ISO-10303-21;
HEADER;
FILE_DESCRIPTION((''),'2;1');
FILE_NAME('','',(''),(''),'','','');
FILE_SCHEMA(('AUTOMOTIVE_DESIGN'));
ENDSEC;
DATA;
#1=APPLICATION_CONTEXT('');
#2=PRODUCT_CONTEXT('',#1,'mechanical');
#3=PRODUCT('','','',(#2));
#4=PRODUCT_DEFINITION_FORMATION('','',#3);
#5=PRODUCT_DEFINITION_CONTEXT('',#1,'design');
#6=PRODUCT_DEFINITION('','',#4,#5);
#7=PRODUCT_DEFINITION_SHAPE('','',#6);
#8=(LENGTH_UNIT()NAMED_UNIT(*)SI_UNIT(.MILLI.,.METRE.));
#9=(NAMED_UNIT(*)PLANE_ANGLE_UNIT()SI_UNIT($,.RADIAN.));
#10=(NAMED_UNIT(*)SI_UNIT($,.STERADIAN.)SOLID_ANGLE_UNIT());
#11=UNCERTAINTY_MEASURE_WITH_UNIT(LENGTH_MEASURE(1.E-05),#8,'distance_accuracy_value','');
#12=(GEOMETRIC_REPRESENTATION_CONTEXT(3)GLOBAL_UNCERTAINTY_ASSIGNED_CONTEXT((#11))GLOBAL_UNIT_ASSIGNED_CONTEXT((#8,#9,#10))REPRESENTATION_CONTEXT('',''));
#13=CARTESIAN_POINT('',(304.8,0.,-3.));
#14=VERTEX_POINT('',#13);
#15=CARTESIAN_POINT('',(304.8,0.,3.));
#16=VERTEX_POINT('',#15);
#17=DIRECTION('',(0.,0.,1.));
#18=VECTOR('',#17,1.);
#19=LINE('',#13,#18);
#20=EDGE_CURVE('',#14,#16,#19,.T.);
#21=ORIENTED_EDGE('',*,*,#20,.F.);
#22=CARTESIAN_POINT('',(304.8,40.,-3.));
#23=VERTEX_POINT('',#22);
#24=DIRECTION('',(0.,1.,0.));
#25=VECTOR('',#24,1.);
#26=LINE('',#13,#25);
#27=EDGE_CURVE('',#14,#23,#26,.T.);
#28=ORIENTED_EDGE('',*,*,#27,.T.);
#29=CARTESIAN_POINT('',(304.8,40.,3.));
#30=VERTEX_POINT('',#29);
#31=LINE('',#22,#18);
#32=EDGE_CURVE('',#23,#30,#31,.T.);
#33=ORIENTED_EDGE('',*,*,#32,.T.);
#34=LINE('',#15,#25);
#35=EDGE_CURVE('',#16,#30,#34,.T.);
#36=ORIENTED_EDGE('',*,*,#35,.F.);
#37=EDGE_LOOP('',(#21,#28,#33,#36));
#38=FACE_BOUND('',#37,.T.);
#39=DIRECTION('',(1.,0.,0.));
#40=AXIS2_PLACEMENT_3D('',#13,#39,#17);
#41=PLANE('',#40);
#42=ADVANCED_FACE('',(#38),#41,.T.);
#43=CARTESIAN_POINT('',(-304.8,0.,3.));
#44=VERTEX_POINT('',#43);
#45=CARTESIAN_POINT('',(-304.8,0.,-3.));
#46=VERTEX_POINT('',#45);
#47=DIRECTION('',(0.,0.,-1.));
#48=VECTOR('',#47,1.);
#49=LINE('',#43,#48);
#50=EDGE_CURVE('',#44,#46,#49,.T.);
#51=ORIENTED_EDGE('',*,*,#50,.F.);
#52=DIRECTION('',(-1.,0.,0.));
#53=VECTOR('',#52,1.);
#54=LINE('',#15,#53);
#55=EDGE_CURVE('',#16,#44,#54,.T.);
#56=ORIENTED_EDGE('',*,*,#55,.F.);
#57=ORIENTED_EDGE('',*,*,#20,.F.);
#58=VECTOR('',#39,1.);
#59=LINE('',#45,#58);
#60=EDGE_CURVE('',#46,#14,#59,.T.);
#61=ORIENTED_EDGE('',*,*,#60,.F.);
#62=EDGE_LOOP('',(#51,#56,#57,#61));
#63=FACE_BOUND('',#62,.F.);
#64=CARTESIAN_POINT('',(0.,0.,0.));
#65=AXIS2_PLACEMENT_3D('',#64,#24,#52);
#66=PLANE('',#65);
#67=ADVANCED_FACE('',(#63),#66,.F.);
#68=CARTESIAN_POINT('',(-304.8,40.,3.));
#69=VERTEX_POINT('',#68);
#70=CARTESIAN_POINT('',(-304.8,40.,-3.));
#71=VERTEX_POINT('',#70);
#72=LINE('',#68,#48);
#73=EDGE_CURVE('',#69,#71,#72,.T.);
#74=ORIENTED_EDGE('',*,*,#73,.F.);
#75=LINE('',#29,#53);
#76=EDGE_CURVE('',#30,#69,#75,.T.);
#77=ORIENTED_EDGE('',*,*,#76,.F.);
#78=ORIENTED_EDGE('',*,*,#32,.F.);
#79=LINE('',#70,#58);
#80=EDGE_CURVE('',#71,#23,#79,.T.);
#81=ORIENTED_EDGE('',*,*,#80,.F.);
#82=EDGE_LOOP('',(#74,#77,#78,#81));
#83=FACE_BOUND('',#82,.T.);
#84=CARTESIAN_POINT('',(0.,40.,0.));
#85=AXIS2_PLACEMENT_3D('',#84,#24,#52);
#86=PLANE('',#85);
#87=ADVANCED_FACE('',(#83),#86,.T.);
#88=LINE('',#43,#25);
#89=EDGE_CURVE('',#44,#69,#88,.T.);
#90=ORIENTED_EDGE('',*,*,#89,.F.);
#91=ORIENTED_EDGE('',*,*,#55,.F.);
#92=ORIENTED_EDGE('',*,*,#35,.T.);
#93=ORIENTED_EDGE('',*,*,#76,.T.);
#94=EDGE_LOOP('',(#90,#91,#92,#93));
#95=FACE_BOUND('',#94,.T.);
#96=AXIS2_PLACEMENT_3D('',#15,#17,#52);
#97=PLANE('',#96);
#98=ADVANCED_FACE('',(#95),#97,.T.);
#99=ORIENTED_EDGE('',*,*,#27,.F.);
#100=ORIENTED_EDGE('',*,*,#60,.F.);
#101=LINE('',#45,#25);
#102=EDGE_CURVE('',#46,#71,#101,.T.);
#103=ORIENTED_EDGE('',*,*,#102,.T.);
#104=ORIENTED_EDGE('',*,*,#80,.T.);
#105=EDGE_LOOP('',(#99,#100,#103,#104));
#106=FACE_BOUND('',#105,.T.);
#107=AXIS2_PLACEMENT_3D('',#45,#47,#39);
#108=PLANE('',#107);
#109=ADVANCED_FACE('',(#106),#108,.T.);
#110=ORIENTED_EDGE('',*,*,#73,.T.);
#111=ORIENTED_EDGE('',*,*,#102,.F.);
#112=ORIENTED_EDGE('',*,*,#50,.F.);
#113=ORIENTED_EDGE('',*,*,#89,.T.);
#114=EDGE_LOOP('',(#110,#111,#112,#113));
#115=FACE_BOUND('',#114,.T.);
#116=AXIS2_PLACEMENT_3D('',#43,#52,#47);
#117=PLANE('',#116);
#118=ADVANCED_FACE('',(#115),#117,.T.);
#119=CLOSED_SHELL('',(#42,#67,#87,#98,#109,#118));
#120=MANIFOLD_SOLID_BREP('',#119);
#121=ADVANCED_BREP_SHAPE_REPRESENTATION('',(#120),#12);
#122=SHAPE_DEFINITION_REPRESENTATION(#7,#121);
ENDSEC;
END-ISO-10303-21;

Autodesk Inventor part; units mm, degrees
ref_plane "YZ Plane" through (0, 0, 0) normal (1, 0, 0) x (0, 1, 0)
ref_plane "XZ Plane" through (0, 0, 0) normal (0, 1, 0) x (-1, 0, 0)
ref_plane "XY Plane" through (0, 0, 0) normal (0, 0, 1) x (1, 0, 0)
sketch "Sketch1" plane through (0, 0, 0) normal (0, 1, 0) x (-1, 0, 0)
  line L0 (304.8, -3) -> (-304.8, -3)
  line L1 (-304.8, -3) -> (-304.8, 3)
  line L2 (-304.8, 3) -> (304.8, 3)
  line L3 (304.8, 3) -> (304.8, -3)
  line L4 (304.8, -3) -> (-304.8, 3) construction
  line L5 (-304.8, -3) -> (304.8, 3) construction
  point P0 (0, 0)
  dimension "d0" = 609.6
  dimension "d1" = 6
extrude "Extrusion1" add sketch "Sketch1" along normal blind 40
properties part number "wall24in"
